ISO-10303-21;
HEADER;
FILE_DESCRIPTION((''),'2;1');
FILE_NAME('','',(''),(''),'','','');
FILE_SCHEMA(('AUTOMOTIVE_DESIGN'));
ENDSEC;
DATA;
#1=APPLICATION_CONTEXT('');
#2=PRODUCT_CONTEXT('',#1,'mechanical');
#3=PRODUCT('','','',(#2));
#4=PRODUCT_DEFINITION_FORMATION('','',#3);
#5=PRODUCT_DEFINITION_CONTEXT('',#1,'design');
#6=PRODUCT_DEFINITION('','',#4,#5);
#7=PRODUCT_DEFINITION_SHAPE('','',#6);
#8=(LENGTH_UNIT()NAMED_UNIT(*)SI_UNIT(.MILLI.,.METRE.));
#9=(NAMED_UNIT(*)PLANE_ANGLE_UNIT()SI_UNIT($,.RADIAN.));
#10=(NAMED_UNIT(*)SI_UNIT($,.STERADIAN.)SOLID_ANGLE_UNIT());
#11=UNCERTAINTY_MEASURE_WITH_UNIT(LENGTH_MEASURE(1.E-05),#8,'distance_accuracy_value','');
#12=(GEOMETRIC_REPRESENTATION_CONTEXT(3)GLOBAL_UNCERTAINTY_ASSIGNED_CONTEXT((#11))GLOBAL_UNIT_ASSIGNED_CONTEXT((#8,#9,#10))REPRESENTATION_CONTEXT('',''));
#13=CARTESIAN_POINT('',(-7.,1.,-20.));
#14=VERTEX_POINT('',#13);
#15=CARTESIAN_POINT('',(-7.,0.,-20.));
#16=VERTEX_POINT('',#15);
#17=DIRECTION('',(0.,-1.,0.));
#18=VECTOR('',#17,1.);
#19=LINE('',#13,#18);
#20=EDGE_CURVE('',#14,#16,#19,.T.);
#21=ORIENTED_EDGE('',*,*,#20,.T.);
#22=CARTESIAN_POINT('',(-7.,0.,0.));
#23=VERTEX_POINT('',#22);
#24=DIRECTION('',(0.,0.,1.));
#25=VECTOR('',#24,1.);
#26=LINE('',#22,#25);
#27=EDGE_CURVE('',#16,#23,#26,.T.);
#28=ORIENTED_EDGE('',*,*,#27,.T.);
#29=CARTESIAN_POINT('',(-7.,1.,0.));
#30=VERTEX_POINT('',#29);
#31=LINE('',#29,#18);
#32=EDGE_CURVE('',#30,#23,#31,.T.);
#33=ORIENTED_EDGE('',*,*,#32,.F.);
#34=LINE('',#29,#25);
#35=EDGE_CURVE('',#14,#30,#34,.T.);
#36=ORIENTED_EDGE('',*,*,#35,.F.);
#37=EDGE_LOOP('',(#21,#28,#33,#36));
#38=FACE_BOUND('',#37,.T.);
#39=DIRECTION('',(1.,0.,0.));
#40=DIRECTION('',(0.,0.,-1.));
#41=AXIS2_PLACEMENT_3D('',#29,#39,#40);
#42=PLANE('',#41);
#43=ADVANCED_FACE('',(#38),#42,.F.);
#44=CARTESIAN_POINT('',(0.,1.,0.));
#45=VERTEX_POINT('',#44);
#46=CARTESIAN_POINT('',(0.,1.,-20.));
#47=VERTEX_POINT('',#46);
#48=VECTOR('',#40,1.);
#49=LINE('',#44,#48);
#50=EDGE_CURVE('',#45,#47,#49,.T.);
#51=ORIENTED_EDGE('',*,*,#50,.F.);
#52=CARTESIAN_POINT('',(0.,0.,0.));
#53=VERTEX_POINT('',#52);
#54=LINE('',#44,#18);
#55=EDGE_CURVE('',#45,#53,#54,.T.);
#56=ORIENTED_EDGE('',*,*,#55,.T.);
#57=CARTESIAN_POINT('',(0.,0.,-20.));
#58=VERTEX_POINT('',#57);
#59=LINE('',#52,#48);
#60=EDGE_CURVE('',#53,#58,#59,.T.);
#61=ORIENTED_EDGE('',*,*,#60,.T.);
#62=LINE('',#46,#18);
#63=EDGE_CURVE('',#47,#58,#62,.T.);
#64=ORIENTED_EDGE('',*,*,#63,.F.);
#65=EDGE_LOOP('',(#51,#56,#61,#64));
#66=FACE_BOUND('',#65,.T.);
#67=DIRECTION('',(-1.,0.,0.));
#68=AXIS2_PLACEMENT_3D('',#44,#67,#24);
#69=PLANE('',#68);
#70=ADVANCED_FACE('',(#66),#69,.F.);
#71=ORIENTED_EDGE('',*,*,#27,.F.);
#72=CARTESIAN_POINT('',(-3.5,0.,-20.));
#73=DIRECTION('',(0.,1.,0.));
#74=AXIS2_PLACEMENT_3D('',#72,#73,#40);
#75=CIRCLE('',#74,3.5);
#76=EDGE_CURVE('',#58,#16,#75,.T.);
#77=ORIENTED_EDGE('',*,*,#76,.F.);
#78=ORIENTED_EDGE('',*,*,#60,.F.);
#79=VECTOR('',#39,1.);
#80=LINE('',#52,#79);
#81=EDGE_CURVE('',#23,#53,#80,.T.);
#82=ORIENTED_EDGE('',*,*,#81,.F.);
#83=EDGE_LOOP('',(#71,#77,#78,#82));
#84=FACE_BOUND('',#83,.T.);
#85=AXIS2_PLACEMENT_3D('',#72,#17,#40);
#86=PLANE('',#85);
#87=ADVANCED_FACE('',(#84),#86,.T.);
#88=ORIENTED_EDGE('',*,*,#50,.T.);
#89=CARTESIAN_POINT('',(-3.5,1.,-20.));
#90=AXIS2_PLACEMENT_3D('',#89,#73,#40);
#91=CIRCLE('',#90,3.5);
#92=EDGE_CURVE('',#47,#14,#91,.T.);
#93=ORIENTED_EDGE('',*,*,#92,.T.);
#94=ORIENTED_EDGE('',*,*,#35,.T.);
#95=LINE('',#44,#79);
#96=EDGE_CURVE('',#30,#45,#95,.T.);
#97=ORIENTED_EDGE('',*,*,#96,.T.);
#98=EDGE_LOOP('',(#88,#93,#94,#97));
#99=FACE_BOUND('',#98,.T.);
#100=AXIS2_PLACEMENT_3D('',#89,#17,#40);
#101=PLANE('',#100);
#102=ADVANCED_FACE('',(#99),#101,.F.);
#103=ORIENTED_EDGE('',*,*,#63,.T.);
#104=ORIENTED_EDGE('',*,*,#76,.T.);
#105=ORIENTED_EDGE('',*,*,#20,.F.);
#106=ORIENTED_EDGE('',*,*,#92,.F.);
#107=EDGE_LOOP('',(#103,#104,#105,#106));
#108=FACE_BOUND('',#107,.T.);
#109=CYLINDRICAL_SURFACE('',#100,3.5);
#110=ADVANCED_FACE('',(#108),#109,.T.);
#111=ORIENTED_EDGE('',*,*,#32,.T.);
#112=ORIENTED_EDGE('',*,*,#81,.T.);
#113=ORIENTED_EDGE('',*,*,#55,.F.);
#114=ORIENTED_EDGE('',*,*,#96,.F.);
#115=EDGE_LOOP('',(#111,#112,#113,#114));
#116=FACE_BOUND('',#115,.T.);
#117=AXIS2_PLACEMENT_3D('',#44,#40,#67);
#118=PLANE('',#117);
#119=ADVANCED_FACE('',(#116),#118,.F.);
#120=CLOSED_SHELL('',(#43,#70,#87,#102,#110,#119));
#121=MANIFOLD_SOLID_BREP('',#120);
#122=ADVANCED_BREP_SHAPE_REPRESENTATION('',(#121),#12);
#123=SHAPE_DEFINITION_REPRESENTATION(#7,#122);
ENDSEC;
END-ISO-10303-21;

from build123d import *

# Parameters (mm, degrees)
BOSS_EXTRUDE1_DEPTH = 1


with BuildPart() as part:
    # Sketch1 → Boss-Extrude1 (new body)
    with BuildSketch(Plane(origin=(0, 0, 0), x_dir=(1, 0, 0), z_dir=(0, 1, 0))):
        with BuildLine():
            Line((0, 0), (-7, 0))
            Line((-7, 0), (-7, 20))
            ThreePointArc((-7, 20), (-3.5, 23.5), (0, 20))
            Line((0, 20), (0, 0))
        make_face()
    extrude(amount=BOSS_EXTRUDE1_DEPTH)


solid = part.part
